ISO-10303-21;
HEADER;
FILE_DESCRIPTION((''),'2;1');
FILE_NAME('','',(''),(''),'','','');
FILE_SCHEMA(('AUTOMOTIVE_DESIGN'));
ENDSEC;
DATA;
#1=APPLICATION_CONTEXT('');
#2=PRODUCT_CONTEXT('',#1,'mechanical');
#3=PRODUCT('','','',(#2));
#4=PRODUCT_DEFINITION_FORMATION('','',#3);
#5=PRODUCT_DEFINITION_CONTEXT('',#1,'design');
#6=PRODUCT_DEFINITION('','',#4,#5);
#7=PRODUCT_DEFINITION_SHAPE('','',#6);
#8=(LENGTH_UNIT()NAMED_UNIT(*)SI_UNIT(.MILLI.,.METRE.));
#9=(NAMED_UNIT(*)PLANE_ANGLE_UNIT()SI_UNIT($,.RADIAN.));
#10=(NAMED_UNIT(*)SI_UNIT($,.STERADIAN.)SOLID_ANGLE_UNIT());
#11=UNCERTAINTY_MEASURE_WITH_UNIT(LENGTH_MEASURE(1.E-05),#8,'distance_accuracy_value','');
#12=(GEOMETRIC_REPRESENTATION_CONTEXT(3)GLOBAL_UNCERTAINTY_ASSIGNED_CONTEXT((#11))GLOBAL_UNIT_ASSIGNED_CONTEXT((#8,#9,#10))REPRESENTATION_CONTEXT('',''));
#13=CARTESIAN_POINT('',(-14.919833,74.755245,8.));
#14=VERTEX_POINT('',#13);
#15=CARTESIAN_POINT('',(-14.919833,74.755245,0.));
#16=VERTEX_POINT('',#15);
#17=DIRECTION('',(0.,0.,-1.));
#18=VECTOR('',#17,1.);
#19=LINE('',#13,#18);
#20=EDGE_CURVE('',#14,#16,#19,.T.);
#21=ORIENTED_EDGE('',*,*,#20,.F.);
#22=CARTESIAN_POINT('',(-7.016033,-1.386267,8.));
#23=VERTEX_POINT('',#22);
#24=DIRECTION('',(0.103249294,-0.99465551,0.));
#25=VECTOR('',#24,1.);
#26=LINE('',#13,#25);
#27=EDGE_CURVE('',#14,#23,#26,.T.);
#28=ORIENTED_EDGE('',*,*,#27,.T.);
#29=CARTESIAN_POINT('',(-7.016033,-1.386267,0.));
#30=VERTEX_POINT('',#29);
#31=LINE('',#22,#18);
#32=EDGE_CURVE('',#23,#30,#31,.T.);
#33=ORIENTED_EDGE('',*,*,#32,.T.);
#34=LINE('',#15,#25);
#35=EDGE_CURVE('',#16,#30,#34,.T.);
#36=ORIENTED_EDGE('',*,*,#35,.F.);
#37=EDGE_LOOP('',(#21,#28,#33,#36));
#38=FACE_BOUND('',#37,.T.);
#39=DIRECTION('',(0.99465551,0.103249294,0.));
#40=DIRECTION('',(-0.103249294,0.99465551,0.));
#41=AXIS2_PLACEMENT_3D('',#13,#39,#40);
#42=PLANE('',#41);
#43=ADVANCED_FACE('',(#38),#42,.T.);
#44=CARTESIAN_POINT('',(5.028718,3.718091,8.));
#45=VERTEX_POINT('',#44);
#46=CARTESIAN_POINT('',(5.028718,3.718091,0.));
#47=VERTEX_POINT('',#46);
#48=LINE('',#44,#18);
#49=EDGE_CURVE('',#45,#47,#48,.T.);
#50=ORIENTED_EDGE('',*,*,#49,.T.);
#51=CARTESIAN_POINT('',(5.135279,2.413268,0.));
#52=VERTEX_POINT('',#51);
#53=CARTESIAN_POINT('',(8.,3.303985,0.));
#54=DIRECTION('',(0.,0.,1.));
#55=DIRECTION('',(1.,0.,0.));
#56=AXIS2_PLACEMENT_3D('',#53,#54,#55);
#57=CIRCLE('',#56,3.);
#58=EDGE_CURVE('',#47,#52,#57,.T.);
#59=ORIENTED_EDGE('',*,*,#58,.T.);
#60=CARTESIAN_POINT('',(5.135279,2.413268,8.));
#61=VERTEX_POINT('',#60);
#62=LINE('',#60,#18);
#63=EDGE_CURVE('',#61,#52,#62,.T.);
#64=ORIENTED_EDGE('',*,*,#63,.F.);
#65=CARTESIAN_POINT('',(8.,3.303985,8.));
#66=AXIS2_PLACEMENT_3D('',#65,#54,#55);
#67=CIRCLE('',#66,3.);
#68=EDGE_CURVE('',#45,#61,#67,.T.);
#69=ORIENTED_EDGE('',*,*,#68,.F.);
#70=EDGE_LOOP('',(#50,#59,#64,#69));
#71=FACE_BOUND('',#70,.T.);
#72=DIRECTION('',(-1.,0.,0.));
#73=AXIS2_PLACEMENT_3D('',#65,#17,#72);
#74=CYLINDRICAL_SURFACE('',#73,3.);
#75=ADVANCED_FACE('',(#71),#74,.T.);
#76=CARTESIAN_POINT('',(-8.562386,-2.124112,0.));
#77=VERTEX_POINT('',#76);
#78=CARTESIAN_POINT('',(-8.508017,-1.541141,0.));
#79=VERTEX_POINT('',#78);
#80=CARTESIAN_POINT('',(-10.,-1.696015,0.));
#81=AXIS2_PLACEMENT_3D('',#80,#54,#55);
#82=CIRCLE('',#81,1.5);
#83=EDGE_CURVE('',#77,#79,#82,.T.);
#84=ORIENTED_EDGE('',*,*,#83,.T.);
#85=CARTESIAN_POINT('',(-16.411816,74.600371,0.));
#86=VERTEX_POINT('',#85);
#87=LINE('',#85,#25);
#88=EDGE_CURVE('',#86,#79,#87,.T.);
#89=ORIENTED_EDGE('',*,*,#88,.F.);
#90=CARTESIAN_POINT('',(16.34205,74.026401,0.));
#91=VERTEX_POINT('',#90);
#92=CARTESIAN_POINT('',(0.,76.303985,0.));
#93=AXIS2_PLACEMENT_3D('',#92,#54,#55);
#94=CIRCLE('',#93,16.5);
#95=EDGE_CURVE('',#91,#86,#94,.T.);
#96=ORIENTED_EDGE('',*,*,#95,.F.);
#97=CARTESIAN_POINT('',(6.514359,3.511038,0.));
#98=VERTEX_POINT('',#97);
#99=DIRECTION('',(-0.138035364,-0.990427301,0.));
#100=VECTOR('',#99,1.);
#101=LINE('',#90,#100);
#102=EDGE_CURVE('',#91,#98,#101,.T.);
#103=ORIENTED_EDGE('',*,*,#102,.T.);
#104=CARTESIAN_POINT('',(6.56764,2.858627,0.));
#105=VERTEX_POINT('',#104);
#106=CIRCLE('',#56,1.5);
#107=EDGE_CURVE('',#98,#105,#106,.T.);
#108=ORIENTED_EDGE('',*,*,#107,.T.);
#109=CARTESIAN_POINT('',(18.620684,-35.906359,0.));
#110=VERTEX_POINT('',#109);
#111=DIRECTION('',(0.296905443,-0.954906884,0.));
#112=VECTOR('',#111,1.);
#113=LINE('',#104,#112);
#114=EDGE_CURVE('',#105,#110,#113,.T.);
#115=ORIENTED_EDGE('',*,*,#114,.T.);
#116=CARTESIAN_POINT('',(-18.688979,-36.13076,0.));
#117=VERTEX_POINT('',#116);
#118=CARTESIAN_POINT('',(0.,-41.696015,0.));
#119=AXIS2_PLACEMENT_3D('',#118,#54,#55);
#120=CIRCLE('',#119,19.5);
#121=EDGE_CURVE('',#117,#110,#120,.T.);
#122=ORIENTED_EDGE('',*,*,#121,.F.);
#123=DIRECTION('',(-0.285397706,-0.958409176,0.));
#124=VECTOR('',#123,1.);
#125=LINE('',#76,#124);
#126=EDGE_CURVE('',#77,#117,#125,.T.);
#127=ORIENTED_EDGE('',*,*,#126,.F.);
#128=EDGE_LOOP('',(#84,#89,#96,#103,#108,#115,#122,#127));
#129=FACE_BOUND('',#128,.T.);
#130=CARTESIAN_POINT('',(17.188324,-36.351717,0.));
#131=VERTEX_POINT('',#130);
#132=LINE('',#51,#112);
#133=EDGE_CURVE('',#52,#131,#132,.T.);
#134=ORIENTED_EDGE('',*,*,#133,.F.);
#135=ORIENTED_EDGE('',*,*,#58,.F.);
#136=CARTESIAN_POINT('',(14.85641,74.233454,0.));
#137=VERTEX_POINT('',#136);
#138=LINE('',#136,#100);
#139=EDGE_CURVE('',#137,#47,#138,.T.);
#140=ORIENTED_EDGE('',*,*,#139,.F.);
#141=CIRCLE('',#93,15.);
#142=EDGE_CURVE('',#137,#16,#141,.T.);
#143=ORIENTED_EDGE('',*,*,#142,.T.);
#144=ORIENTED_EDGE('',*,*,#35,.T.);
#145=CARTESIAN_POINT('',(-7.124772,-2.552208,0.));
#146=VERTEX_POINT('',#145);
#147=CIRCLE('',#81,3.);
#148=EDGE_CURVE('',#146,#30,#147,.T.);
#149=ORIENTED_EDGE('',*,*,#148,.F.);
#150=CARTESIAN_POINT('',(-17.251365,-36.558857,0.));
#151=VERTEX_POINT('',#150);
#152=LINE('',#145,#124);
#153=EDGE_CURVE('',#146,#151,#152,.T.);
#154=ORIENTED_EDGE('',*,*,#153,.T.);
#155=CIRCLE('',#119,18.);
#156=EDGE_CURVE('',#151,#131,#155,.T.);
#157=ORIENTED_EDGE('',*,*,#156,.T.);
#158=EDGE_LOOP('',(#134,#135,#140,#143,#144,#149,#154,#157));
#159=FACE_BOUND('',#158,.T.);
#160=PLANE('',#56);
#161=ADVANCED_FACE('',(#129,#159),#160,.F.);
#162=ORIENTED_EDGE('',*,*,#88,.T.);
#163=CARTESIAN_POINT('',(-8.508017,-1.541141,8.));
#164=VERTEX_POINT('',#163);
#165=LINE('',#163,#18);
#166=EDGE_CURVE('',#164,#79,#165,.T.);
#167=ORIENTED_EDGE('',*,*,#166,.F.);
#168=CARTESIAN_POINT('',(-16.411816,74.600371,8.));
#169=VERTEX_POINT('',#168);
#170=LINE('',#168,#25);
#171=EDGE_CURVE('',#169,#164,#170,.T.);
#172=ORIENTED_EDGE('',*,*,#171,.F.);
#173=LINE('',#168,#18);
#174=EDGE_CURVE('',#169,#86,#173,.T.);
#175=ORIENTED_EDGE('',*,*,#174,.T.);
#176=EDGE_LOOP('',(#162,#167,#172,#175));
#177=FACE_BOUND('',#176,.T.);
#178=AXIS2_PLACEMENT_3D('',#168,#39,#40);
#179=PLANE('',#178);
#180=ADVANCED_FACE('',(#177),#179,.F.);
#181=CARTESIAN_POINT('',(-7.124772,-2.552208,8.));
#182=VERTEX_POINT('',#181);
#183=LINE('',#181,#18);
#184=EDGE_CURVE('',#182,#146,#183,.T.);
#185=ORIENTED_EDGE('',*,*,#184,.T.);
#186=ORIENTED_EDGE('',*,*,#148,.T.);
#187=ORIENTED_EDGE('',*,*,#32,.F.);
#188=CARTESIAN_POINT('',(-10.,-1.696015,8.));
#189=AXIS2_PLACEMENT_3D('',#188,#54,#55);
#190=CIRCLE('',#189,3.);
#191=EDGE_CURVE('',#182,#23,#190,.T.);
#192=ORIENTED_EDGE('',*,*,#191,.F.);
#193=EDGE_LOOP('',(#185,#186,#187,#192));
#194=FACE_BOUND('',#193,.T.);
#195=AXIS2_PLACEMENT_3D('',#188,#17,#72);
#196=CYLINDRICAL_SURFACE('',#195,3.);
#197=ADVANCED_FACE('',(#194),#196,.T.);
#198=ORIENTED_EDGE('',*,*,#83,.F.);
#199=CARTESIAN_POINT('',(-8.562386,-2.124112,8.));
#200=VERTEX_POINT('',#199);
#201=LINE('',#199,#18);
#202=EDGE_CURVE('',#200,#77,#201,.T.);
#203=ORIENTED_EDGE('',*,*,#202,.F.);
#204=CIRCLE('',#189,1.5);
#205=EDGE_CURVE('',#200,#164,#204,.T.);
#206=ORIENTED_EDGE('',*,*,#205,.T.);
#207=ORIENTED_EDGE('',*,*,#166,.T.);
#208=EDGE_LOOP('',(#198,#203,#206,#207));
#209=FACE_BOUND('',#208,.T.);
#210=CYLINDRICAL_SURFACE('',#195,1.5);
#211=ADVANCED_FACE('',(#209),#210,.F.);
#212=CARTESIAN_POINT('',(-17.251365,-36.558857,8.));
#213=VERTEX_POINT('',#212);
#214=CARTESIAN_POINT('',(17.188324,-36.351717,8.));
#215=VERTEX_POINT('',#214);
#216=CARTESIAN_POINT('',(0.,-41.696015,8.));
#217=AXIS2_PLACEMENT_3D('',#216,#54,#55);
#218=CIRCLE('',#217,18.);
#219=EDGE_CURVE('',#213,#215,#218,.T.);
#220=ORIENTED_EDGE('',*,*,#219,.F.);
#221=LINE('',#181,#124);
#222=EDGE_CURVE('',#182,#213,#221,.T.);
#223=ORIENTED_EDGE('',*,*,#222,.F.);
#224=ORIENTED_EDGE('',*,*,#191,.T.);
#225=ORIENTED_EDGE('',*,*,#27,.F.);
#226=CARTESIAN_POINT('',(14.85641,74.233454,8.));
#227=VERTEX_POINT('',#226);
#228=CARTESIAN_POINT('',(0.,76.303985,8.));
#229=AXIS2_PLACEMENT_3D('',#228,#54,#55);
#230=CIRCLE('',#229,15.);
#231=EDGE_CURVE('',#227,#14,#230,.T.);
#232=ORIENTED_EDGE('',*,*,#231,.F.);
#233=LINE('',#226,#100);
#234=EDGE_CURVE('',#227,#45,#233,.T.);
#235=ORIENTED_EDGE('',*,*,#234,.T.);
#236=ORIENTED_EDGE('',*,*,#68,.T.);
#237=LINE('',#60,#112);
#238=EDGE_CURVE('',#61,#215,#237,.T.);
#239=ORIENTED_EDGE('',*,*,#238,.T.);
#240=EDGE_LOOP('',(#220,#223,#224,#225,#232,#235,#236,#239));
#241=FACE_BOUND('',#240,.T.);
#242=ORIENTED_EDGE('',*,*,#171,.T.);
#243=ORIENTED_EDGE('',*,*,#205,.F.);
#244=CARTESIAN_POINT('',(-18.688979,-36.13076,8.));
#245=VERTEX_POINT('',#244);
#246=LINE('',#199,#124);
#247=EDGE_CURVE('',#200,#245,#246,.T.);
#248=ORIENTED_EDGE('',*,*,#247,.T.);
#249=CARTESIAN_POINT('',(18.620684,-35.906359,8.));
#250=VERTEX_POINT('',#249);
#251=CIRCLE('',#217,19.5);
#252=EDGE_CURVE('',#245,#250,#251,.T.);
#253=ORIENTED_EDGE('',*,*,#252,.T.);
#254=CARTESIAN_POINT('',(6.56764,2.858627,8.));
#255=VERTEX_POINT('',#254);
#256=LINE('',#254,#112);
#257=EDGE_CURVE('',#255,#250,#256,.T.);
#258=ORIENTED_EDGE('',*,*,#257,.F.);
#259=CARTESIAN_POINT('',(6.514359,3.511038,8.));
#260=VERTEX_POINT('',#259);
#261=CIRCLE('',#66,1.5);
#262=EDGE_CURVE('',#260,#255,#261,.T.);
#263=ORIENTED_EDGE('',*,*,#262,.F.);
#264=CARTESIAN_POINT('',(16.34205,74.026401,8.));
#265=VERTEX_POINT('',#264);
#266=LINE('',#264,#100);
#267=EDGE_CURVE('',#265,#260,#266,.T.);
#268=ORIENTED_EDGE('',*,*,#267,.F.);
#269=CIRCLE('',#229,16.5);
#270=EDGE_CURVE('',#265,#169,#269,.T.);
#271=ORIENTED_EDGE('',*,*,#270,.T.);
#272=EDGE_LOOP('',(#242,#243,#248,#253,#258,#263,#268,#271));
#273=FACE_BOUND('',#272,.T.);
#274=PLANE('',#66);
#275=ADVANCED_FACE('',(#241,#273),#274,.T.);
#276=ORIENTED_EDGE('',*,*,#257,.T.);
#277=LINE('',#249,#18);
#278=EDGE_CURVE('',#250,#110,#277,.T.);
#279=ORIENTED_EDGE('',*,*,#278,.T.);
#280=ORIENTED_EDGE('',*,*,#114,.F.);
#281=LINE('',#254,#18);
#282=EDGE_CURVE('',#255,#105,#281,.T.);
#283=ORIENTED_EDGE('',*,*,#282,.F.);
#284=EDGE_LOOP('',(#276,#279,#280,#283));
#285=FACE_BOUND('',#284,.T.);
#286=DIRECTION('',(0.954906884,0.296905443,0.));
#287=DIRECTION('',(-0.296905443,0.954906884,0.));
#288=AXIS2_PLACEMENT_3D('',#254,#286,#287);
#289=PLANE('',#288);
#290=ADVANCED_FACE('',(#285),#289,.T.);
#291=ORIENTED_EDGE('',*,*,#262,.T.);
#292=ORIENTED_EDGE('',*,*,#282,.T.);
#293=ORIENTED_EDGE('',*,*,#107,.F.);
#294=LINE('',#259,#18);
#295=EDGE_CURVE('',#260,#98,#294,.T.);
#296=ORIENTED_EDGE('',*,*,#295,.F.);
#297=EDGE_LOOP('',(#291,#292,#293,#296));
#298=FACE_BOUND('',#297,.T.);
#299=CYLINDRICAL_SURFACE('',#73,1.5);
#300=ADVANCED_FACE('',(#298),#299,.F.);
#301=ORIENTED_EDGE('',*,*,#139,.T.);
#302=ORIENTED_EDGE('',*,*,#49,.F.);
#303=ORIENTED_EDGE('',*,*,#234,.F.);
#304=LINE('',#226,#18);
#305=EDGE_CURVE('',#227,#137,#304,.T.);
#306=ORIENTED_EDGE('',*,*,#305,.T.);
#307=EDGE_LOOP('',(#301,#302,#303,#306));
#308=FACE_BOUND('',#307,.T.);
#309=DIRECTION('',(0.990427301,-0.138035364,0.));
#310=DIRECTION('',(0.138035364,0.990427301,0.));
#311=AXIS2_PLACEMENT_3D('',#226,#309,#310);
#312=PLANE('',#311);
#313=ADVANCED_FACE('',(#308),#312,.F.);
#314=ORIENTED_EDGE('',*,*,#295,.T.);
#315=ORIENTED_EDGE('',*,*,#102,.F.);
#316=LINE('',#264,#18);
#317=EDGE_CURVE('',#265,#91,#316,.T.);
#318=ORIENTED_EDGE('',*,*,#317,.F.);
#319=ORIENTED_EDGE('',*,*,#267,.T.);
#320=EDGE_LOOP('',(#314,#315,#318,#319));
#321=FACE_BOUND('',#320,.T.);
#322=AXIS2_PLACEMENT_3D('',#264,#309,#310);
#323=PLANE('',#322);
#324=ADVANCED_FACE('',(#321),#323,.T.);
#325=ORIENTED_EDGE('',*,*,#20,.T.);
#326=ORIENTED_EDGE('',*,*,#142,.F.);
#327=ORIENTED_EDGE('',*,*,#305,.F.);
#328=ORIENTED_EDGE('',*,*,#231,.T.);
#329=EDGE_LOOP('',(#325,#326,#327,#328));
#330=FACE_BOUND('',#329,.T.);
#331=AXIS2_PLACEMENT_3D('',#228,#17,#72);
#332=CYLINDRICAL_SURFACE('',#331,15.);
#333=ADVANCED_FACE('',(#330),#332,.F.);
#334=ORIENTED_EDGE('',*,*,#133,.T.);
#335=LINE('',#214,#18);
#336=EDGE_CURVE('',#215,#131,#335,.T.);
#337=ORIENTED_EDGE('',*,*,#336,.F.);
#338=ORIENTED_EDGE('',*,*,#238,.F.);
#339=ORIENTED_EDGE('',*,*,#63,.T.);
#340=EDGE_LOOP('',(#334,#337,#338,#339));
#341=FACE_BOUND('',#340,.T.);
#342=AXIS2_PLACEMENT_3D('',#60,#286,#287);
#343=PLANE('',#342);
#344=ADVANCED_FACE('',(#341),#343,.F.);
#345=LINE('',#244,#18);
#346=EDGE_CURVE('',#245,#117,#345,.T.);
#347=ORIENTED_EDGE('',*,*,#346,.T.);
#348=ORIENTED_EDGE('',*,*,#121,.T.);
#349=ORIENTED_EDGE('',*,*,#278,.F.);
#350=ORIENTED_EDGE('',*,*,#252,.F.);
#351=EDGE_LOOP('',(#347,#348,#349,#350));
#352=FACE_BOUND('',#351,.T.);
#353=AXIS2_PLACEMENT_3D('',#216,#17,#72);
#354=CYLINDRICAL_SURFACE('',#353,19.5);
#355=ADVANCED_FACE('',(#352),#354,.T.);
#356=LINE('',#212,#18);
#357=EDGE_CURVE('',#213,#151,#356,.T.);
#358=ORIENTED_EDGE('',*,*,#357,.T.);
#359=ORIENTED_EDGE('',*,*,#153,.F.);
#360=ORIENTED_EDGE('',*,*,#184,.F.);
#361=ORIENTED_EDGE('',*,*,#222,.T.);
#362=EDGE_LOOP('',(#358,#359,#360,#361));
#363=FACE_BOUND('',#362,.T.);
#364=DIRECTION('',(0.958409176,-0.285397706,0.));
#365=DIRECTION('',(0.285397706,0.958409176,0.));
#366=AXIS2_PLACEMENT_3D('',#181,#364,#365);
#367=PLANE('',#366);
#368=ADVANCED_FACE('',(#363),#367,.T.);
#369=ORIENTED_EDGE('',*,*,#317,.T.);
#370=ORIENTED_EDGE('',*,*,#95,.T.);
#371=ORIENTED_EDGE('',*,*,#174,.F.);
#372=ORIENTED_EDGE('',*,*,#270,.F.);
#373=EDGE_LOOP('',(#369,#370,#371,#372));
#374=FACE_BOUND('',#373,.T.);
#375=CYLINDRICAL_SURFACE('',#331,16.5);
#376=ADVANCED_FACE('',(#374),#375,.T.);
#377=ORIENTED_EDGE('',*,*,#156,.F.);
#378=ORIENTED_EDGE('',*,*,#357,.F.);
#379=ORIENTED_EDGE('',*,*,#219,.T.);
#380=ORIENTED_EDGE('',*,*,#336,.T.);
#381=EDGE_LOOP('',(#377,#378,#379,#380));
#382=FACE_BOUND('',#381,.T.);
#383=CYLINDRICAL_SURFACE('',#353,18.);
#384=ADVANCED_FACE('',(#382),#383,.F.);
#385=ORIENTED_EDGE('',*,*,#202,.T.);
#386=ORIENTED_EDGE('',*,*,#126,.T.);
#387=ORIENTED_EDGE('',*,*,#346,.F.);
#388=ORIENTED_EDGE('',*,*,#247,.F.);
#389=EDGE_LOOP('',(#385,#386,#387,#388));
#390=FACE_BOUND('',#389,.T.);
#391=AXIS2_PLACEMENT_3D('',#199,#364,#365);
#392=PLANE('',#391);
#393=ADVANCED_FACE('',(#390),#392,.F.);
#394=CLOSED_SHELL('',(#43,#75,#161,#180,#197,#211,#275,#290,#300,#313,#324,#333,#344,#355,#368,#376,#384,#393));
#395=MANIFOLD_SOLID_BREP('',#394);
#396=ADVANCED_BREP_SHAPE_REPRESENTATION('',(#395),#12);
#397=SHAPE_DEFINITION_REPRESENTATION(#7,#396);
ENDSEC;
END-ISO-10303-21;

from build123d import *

# Parameters (mm, degrees)
EXTRUDE_1_DEPTH = 8


with BuildPart() as part:
    # 草图1 → 凸台-拉伸1 (new body)
    with BuildSketch(Plane.XY):
        with BuildLine():
            Line((-16.411815913, 74.600371351), (-8.508016735, -1.541141365))
            ThreePointArc((-8.508016735, -1.541141365), (-8.506481222, -1.835305148), (-8.562386235, -2.124111864))
            Line((-8.562386235, -2.124111864), (-18.68897894, -36.13076004))
            ThreePointArc((-18.68897894, -36.13076004), (0.117281622, -61.19566261), (18.620684248, -35.906359171))
            Line((18.620684248, -35.906359171), (6.567639673, 2.858626531))
            ThreePointArc((6.567639673, 2.858626531), (6.504977271, 3.181890311), (6.514359049, 3.511037742))
            Line((6.514359049, 3.511037742), (16.342050463, 74.026401184))
            ThreePointArc((16.342050463, 74.026401184), (0.289097289, 92.801451857), (-16.411815913, 74.600371351))
        make_face()
        with BuildLine():
            Line((-14.919832648, 74.755245291), (-7.01603347, -1.386267424))
            ThreePointArc((-7.01603347, -1.386267424), (-7.012962444, -1.974594991), (-7.124772471, -2.552208423))
            Line((-7.124772471, -2.552208423), (-17.251365176, -36.558856599))
            ThreePointArc((-17.251365176, -36.558856599), (0.108259958, -59.69568974), (17.188323921, -36.351717335))
            Line((17.188323921, -36.351717335), (5.135279347, 2.413268367))
            ThreePointArc((5.135279347, 2.413268367), (5.009954541, 3.059795928), (5.028718098, 3.718090788))
            Line((5.028718098, 3.718090788), (14.856409512, 74.233454231))
            ThreePointArc((14.856409512, 74.233454231), (0.262815717, 91.301682115), (-14.919832648, 74.755245291))
        make_face(mode=Mode.SUBTRACT)
    extrude(amount=EXTRUDE_1_DEPTH)


solid = part.part
